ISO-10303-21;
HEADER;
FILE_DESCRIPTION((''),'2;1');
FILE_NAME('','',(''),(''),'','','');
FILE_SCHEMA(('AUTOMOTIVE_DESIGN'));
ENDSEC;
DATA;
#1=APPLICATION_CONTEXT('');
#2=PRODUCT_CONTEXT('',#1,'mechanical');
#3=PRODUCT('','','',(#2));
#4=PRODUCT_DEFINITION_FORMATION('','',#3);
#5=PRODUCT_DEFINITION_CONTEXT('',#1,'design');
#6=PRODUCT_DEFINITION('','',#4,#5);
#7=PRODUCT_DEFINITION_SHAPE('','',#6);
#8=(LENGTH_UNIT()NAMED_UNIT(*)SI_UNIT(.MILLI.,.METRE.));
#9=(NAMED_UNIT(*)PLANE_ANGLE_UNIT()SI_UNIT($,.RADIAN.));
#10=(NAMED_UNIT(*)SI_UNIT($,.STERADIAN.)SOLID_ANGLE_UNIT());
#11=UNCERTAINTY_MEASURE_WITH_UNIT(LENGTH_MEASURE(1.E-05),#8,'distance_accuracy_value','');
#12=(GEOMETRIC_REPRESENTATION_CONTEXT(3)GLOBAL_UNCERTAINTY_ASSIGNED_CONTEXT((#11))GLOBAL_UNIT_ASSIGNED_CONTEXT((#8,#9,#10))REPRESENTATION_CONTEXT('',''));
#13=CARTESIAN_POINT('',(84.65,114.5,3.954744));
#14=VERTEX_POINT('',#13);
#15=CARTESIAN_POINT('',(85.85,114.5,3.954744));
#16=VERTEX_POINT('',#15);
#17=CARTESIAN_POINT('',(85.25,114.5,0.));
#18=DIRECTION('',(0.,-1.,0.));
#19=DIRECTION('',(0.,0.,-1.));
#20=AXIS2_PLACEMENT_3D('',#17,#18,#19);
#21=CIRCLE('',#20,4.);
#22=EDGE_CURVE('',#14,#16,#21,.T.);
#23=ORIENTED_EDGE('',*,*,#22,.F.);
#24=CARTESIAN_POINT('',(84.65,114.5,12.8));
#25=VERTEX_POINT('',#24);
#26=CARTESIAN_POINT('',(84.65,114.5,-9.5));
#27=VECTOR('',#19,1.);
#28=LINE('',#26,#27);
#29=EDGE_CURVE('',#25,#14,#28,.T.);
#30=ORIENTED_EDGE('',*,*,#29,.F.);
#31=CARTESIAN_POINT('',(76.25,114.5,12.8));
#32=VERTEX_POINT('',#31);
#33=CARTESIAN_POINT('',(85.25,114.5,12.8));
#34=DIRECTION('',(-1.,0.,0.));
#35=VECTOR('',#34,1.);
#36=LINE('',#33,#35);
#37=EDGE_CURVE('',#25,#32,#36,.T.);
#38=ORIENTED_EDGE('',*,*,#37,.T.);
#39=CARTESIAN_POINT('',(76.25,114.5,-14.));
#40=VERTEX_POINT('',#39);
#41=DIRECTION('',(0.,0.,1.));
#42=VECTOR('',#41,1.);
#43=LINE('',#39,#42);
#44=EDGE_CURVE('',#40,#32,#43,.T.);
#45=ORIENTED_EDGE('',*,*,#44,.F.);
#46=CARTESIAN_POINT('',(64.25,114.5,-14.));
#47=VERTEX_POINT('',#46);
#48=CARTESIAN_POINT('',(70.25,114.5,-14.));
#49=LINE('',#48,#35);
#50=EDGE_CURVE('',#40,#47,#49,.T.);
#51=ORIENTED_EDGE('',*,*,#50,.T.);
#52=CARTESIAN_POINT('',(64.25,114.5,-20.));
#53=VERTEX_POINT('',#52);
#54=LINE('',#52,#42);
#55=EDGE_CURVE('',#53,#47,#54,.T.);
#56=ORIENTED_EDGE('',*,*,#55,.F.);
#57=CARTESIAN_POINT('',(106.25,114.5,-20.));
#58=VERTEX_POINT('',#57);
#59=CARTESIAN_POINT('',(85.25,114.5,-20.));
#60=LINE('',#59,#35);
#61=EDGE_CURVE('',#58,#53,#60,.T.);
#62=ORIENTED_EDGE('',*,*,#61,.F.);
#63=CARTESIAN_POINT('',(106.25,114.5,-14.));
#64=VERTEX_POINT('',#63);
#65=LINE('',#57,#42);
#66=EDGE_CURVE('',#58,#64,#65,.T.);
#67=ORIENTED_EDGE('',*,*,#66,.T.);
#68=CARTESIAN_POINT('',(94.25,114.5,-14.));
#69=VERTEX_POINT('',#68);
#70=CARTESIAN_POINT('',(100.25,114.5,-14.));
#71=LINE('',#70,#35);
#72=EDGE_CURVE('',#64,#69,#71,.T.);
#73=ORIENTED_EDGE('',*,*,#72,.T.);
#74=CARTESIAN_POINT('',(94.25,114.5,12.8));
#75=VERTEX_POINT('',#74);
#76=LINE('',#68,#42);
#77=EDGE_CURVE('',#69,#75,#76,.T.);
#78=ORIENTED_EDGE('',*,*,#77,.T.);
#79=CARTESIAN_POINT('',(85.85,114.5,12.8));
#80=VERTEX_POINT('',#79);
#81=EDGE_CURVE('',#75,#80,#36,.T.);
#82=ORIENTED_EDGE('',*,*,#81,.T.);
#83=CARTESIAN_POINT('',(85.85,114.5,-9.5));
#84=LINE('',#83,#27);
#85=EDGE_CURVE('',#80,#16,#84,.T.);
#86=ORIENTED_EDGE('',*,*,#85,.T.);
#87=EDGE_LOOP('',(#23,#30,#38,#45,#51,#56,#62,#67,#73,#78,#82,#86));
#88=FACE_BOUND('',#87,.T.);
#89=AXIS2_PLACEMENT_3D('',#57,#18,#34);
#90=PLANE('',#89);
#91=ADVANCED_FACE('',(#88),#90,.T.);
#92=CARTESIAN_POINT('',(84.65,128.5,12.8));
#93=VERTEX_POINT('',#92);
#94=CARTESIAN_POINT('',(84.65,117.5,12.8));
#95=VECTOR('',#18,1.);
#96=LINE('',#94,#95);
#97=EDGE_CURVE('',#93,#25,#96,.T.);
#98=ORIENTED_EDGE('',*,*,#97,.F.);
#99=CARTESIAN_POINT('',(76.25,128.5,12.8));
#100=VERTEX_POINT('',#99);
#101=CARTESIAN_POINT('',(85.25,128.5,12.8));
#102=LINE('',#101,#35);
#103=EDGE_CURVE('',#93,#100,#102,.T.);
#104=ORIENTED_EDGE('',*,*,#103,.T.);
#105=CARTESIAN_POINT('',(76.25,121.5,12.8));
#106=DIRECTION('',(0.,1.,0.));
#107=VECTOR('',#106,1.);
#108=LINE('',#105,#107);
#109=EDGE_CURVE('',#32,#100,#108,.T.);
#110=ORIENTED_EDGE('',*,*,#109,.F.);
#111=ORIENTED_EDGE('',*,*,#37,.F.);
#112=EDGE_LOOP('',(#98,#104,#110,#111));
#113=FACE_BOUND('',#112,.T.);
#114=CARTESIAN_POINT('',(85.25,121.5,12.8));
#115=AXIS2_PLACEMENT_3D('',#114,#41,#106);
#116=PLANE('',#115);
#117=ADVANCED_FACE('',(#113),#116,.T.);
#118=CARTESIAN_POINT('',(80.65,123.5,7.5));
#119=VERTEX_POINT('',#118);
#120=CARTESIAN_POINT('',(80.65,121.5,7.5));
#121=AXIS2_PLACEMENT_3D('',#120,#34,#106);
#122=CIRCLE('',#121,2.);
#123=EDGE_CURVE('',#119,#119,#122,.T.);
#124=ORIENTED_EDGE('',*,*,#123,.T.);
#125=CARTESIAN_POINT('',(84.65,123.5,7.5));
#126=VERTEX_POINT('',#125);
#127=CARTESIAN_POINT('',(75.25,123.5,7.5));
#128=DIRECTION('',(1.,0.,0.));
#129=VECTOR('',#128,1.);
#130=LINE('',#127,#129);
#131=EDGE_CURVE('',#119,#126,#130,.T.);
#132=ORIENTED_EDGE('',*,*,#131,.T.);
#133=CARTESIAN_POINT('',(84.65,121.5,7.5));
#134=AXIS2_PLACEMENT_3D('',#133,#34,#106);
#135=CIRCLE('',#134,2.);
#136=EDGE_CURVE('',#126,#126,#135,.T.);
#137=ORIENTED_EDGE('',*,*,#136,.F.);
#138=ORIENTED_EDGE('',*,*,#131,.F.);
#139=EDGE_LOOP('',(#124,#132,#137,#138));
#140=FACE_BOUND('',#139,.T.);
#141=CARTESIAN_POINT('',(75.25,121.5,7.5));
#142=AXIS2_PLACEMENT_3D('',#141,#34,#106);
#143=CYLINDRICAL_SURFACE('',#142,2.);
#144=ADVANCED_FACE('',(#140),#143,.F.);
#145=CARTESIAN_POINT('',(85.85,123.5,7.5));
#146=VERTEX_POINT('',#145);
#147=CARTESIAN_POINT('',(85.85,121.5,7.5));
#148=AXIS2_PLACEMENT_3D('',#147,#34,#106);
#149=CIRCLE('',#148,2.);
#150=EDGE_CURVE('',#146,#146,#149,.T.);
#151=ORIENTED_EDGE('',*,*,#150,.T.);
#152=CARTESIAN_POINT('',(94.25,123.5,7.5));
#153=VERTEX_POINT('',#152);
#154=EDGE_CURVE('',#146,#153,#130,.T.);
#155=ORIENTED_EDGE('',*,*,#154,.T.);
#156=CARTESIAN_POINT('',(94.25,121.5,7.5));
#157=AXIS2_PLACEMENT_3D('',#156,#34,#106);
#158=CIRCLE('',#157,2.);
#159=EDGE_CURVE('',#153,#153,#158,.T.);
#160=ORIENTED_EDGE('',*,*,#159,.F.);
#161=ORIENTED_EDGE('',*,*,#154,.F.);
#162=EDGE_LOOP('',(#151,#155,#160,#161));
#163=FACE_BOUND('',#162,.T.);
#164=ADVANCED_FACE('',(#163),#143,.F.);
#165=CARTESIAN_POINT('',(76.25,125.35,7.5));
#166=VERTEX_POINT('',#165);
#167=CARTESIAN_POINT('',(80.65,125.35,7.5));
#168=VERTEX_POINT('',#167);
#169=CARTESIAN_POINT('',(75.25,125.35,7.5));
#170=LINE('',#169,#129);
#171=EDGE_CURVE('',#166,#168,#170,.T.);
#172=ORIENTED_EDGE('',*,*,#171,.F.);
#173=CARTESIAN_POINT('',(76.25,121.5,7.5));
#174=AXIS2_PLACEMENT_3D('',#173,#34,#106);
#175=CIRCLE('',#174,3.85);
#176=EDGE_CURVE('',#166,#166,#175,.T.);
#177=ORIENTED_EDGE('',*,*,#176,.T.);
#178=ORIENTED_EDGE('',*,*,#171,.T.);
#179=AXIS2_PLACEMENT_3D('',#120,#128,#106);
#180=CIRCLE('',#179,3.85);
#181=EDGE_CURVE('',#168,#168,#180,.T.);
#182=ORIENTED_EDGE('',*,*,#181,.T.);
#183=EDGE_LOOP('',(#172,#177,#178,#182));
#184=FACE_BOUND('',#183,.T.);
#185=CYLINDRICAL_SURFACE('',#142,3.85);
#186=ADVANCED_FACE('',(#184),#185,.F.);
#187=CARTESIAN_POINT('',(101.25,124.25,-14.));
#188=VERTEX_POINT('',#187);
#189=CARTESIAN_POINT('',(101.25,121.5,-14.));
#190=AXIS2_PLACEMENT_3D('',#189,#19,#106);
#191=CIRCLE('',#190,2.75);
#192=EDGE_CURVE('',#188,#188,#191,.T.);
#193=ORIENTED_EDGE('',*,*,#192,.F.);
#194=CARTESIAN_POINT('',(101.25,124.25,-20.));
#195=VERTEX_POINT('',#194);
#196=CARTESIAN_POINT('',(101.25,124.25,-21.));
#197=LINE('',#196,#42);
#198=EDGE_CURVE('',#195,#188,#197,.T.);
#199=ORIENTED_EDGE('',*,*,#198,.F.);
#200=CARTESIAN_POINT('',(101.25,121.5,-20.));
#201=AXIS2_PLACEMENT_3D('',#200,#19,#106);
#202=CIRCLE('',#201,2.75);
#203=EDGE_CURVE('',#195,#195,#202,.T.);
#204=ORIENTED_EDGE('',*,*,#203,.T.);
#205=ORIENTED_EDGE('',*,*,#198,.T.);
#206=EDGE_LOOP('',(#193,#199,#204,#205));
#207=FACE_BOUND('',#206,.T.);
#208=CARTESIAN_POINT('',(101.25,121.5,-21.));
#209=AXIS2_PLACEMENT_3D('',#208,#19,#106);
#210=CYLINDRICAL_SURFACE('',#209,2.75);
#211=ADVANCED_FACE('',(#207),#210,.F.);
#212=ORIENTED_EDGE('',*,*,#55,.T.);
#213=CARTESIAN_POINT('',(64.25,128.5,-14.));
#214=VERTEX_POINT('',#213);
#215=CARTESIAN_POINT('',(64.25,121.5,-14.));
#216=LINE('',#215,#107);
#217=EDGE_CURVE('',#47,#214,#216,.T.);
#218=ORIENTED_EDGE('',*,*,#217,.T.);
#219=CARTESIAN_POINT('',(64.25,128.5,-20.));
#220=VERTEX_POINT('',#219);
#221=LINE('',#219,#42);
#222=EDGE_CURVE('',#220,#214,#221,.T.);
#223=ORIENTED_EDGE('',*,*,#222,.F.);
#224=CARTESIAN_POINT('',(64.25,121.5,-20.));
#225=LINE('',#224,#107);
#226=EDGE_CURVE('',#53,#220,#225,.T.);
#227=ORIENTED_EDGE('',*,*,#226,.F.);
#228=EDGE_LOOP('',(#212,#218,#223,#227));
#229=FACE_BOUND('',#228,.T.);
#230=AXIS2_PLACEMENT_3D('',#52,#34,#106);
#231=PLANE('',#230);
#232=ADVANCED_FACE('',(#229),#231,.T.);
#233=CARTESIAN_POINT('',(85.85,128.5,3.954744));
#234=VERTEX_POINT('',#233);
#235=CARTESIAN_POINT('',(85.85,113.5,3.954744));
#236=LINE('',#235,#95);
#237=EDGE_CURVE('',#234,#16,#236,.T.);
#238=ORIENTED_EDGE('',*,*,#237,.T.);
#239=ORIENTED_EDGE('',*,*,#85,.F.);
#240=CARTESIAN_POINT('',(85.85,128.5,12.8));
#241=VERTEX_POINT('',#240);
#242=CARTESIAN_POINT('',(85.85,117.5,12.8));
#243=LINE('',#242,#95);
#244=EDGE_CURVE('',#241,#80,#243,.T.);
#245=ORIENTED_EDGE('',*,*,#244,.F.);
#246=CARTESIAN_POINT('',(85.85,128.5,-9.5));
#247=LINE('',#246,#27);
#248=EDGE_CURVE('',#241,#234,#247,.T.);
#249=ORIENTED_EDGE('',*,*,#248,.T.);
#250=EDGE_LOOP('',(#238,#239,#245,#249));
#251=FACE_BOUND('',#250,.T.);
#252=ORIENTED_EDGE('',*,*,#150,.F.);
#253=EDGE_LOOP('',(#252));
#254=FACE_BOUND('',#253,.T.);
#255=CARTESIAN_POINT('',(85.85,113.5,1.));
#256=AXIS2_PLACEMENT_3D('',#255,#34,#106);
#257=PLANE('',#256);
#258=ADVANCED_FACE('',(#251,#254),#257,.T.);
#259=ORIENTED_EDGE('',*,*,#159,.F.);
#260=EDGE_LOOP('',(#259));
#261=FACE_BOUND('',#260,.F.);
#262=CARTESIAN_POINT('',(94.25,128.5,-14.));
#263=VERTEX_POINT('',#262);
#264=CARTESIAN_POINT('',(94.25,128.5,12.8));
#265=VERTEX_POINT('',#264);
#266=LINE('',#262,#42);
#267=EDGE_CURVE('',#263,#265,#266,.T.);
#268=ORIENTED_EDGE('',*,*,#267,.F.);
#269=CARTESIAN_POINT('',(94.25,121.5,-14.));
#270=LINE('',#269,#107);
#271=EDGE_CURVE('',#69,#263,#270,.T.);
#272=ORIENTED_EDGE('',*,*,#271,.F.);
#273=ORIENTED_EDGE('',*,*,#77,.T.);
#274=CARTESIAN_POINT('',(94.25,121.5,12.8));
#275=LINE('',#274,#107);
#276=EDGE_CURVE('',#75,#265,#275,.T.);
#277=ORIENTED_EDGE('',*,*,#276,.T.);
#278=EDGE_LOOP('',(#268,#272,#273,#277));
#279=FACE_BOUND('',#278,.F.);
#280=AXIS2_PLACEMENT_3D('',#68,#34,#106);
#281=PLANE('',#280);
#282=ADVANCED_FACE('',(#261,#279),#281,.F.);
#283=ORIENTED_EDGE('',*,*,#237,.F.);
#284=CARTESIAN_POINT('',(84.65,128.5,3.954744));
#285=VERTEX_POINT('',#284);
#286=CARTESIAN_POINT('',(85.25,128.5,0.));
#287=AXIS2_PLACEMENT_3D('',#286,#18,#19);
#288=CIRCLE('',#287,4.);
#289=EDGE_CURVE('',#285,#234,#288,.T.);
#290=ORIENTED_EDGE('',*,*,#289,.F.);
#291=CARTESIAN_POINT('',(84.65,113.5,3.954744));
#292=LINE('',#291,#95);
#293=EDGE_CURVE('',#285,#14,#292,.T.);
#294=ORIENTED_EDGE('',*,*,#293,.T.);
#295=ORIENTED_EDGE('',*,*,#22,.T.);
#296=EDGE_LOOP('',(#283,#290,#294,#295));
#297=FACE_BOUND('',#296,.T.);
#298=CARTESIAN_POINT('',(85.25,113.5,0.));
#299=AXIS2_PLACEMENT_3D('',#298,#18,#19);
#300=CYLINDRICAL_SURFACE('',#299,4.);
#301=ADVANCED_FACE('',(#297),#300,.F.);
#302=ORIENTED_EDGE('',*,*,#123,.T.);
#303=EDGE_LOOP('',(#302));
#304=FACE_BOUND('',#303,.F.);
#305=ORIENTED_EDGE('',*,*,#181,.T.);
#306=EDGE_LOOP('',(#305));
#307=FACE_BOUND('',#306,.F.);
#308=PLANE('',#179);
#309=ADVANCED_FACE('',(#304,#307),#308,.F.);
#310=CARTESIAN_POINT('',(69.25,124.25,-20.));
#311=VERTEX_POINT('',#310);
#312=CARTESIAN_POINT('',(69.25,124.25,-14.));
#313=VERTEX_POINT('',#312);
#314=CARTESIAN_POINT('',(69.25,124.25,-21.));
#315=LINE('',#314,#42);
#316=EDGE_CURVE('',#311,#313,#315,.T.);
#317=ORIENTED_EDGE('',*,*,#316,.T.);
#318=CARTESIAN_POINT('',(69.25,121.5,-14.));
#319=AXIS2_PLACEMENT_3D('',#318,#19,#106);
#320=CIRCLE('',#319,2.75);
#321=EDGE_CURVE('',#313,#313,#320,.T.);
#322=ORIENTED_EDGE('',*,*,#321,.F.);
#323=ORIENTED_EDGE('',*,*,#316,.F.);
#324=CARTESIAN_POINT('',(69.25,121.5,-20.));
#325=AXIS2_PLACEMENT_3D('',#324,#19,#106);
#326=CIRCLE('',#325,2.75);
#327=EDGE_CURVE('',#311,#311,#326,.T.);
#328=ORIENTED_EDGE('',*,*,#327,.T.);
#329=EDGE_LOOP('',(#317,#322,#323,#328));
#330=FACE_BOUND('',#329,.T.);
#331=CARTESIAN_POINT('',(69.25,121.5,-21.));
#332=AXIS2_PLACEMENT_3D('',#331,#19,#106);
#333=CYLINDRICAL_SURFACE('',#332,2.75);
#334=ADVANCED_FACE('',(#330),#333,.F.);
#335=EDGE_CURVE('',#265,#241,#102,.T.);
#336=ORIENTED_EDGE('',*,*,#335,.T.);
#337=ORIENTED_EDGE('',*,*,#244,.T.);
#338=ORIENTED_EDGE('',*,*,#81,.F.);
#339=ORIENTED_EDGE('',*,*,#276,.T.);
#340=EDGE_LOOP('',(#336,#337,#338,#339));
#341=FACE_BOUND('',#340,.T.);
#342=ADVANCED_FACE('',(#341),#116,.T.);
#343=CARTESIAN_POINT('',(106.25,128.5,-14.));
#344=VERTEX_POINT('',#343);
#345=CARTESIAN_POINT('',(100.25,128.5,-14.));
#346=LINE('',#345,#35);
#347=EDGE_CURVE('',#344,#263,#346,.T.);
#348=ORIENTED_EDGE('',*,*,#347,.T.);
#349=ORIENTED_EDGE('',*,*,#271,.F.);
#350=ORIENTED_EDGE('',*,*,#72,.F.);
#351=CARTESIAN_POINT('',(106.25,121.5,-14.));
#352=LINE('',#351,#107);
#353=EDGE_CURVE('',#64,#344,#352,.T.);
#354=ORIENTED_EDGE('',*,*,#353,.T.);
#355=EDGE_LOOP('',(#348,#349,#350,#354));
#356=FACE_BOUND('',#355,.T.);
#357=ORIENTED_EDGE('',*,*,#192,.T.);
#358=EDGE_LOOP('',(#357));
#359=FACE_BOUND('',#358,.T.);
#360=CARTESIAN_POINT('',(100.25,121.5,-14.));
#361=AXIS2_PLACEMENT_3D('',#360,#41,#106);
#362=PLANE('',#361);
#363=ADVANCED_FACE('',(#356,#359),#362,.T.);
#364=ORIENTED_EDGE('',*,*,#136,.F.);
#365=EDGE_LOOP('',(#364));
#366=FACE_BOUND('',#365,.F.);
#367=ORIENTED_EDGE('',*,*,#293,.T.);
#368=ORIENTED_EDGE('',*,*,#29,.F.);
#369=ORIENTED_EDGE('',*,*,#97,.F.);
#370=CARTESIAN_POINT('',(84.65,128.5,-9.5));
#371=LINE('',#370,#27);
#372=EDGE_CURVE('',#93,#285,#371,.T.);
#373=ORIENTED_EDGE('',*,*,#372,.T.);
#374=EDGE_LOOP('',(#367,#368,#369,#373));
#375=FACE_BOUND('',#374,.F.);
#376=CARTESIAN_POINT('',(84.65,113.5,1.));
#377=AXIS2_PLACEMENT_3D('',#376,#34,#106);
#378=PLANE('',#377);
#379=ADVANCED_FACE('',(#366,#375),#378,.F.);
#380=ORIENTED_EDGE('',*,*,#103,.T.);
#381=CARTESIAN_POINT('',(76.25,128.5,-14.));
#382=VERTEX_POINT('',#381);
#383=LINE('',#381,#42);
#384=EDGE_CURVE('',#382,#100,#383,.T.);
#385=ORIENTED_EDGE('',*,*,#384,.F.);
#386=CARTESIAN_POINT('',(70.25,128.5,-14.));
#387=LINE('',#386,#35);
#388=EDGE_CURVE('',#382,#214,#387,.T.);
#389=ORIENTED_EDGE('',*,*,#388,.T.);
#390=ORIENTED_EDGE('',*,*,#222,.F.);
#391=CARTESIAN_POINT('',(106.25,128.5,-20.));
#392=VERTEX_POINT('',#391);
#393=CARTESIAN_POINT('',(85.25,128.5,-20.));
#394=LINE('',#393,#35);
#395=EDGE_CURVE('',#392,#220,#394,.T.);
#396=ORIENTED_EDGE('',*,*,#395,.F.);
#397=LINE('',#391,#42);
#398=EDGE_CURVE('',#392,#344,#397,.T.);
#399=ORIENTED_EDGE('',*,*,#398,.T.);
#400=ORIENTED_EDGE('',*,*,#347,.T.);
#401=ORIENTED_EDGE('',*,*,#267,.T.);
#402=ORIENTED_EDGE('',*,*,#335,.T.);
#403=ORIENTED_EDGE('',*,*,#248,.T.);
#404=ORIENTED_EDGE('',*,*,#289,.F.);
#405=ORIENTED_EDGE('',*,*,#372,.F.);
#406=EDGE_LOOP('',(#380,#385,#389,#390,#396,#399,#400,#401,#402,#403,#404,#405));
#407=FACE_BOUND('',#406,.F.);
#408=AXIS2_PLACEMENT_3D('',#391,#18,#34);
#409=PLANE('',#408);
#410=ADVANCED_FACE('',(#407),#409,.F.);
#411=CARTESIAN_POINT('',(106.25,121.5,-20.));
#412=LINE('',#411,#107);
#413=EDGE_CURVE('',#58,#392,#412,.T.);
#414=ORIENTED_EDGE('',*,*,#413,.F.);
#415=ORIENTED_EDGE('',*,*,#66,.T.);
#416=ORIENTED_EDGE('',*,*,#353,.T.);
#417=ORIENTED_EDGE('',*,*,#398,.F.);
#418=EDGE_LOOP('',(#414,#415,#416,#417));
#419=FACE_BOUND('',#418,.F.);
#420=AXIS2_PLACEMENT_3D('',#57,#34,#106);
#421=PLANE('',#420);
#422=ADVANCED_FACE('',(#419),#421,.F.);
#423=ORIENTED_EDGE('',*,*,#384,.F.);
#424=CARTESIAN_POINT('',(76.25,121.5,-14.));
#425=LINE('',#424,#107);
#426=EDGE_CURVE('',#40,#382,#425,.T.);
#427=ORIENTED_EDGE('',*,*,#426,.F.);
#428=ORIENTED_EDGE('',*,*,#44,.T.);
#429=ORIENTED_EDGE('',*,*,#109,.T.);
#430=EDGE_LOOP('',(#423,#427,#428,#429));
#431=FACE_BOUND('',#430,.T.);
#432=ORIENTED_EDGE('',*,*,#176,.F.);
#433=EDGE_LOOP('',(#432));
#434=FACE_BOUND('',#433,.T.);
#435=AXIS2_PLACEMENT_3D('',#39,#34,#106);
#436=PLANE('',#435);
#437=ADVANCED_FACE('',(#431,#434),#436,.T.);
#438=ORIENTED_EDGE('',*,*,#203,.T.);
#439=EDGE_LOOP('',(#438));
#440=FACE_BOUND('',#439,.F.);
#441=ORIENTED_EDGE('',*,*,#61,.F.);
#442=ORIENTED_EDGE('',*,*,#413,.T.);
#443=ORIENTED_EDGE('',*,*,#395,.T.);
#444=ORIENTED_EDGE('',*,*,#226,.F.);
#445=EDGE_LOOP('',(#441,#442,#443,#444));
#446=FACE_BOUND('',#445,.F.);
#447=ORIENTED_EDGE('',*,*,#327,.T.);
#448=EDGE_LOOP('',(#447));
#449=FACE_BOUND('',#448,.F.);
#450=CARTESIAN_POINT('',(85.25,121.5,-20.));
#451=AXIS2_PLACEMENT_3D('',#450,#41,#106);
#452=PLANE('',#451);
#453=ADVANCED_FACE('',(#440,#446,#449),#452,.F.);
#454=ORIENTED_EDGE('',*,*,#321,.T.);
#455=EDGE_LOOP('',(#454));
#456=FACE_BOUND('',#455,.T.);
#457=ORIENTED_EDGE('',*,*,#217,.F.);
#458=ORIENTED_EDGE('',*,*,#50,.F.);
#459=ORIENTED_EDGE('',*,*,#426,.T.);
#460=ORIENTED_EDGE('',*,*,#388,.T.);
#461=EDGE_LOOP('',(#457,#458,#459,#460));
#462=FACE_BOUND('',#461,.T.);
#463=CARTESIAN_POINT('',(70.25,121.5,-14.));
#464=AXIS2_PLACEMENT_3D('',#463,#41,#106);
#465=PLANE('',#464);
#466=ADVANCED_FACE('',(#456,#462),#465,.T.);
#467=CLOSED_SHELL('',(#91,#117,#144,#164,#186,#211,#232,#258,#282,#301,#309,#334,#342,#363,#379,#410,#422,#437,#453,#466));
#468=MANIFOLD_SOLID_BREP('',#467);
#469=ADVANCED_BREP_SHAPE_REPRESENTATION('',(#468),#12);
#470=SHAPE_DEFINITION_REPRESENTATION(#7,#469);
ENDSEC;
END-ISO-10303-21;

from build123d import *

# Parameters (mm, degrees)
MBOLT_SH_L_R                     = 2.75
MBOLT_SH_L_DEPTH                 = 8
MBOLT_SH_R_R                     = 2.75
MBOLT_SH_R_DEPTH                 = 8
MBOLTS_SH_PLACEMENT_ANGLE        = 90
TBOLT_SHAFT_R                    = 2
TBOLT_SHAFT_DEPTH                = 20
TBOLT_SHAFT_ROLL_ANGLE           = 90
UP_SEP_W                         = 16
UP_SEP_H                         = 1.2
UP_SEP_DEPTH                     = 13.8
SHAFT_HOLE_R                     = 4
SHAFT_HOLE_DEPTH                 = 16
SHAFT_HOLE_PITCH_ANGLE           = 90
TBOLT_HEAD_R                     = 3.85
TBOLT_HEAD_DEPTH                 = 5.4
TBOLT_HEAD_ROLL_ANGLE            = 90
SIDE_BOX_L_W                     = 14
SIDE_BOX_L_H                     = 12
SIDE_BOX_L_DEPTH                 = 26.8
SIDE_BOX_R_W                     = 14
SIDE_BOX_R_H                     = 12
SIDE_BOX_R_DEPTH                 = 26.8
TOTAL_BOX_W                      = 14
TOTAL_BOX_H                      = 42
TOTAL_BOX_DEPTH                  = 32.8
SK_SHAPE_W_HOLES_PLACEMENT_ANGLE = 90


with BuildPart() as mbolt_sh_l:
    # mbolt_sh_l → mbolt_sh_l (new body)
    with BuildSketch(Plane(origin=(7, -16, -1), x_dir=(1, 0, 0), z_dir=(0, 0, 1))):
        Circle(MBOLT_SH_L_R)
    extrude(amount=MBOLT_SH_L_DEPTH)


with BuildPart() as mbolts_sh:
    # mbolt_sh_r → mbolt_sh_r (new body)
    with BuildSketch(Plane(origin=(7, 16, -1), x_dir=(1, 0, 0), z_dir=(0, 0, 1))):
        Circle(MBOLT_SH_R_R)
    extrude(amount=MBOLT_SH_R_DEPTH)

    # mbolts_sh: union mbolt_sh_l
    add(mbolt_sh_l.part)


with BuildPart() as mbolts_sh_1:
    # mbolts_sh placement: moved
    add(mbolts_sh.part.moved(Location((0, -7, 0))).rotate(Axis((0, -7, 0), (0, 0, 1)), MBOLTS_SH_PLACEMENT_ANGLE))


with BuildPart() as tbolt_shaft:
    # tbolt_shaft → tbolt_shaft (new body)
    with BuildSketch(Plane.XY):
        Circle(TBOLT_SHAFT_R)
    extrude(amount=TBOLT_SHAFT_DEPTH)


with BuildPart() as tbolt_shaft_1:
    # tbolt_shaft roll: moved
    add(tbolt_shaft.part.rotate(Axis((0, 0, 0), (1, 0, 0)), TBOLT_SHAFT_ROLL_ANGLE))


with BuildPart() as tbolt_shaft_2:
    # tbolt_shaft placement: moved
    add(tbolt_shaft_1.part.moved(Location((7, 10, 27.5))))


with BuildPart() as up_sep:
    # up_sep → up_sep (new body)
    with BuildSketch(Plane(origin=(-1, -0.6, 21), x_dir=(1, 0, 0), z_dir=(0, 0, 1))):
        with Locations((8, 0.6)):
            Rectangle(UP_SEP_W, UP_SEP_H)
    extrude(amount=UP_SEP_DEPTH)


with BuildPart() as shaft_hole:
    # shaft_hole → shaft_hole (new body)
    with BuildSketch(Plane.XY):
        Circle(SHAFT_HOLE_R)
    extrude(amount=SHAFT_HOLE_DEPTH)


with BuildPart() as shaft_hole_1:
    # shaft_hole pitch: moved
    add(shaft_hole.part.rotate(Axis((0, 0, 0), (0, 1, 0)), SHAFT_HOLE_PITCH_ANGLE))


with BuildPart() as shaft_hole_2:
    # shaft_hole placement: moved
    add(shaft_hole_1.part.moved(Location((-1, 0, 20))))


with BuildPart() as fuse_shaft_holes:
    # tbolt_head → tbolt_head (new body)
    with BuildSketch(Plane.XY):
        Circle(TBOLT_HEAD_R)
    extrude(amount=TBOLT_HEAD_DEPTH)


with BuildPart() as fuse_shaft_holes_1:
    # tbolt_head roll: moved
    add(fuse_shaft_holes.part.rotate(Axis((0, 0, 0), (1, 0, 0)), TBOLT_HEAD_ROLL_ANGLE))


with BuildPart() as fuse_shaft_holes_2:
    # tbolt_head placement: moved
    add(fuse_shaft_holes_1.part.moved(Location((7, 10, 27.5))))

    # fuse_shaft_holes: union tbolt_shaft, up_sep, shaft_hole
    add(tbolt_shaft_2.part)
    add(up_sep.part)
    add(shaft_hole_2.part)


with BuildPart() as side_box_l:
    # side_box_l → side_box_l (new body)
    with BuildSketch(Plane(origin=(0, -21, 6), x_dir=(1, 0, 0), z_dir=(0, 0, 1))):
        with Locations((7, 6)):
            Rectangle(SIDE_BOX_L_W, SIDE_BOX_L_H)
    extrude(amount=SIDE_BOX_L_DEPTH)


with BuildPart() as side_boxes:
    # side_box_r → side_box_r (new body)
    with BuildSketch(Plane(origin=(0, 9, 6), x_dir=(1, 0, 0), z_dir=(0, 0, 1))):
        with Locations((7, 6)):
            Rectangle(SIDE_BOX_R_W, SIDE_BOX_R_H)
    extrude(amount=SIDE_BOX_R_DEPTH)

    # side_boxes: union side_box_l
    add(side_box_l.part)


with BuildPart() as sky_x_y:
    # total_box → total_box (new body)
    with BuildSketch(Plane(origin=(0, -21, 0), x_dir=(1, 0, 0), z_dir=(0, 0, 1))):
        with Locations((7, 21)):
            Rectangle(TOTAL_BOX_W, TOTAL_BOX_H)
    extrude(amount=TOTAL_BOX_DEPTH)

    # sk_shape: cut side_boxes
    add(side_boxes.part, mode=Mode.SUBTRACT)

    # sk_shape_w_holes: cut fuse_shaft_holes
    add(fuse_shaft_holes_2.part, mode=Mode.SUBTRACT)


with BuildPart() as sky_x_y_1:
    # sk_shape_w_holes placement: moved
    add(sky_x_y.part.moved(Location((0, -7, 0))).rotate(Axis((0, -7, 0), (0, 0, 1)), SK_SHAPE_W_HOLES_PLACEMENT_ANGLE))

    # sky_x_y0: cut mbolts_sh
    add(mbolts_sh_1.part, mode=Mode.SUBTRACT)


with BuildPart() as sky_x_y_2:
    # sky_x_y0 placement: moved
    add(sky_x_y_1.part.moved(Location((85.25, -56.5, -20))))


with BuildPart() as sky_x_y_3:
    # Clone014 placement: moved
    add(sky_x_y_2.part.moved(Location((0, 178, 0))))


solid = sky_x_y_3.part
